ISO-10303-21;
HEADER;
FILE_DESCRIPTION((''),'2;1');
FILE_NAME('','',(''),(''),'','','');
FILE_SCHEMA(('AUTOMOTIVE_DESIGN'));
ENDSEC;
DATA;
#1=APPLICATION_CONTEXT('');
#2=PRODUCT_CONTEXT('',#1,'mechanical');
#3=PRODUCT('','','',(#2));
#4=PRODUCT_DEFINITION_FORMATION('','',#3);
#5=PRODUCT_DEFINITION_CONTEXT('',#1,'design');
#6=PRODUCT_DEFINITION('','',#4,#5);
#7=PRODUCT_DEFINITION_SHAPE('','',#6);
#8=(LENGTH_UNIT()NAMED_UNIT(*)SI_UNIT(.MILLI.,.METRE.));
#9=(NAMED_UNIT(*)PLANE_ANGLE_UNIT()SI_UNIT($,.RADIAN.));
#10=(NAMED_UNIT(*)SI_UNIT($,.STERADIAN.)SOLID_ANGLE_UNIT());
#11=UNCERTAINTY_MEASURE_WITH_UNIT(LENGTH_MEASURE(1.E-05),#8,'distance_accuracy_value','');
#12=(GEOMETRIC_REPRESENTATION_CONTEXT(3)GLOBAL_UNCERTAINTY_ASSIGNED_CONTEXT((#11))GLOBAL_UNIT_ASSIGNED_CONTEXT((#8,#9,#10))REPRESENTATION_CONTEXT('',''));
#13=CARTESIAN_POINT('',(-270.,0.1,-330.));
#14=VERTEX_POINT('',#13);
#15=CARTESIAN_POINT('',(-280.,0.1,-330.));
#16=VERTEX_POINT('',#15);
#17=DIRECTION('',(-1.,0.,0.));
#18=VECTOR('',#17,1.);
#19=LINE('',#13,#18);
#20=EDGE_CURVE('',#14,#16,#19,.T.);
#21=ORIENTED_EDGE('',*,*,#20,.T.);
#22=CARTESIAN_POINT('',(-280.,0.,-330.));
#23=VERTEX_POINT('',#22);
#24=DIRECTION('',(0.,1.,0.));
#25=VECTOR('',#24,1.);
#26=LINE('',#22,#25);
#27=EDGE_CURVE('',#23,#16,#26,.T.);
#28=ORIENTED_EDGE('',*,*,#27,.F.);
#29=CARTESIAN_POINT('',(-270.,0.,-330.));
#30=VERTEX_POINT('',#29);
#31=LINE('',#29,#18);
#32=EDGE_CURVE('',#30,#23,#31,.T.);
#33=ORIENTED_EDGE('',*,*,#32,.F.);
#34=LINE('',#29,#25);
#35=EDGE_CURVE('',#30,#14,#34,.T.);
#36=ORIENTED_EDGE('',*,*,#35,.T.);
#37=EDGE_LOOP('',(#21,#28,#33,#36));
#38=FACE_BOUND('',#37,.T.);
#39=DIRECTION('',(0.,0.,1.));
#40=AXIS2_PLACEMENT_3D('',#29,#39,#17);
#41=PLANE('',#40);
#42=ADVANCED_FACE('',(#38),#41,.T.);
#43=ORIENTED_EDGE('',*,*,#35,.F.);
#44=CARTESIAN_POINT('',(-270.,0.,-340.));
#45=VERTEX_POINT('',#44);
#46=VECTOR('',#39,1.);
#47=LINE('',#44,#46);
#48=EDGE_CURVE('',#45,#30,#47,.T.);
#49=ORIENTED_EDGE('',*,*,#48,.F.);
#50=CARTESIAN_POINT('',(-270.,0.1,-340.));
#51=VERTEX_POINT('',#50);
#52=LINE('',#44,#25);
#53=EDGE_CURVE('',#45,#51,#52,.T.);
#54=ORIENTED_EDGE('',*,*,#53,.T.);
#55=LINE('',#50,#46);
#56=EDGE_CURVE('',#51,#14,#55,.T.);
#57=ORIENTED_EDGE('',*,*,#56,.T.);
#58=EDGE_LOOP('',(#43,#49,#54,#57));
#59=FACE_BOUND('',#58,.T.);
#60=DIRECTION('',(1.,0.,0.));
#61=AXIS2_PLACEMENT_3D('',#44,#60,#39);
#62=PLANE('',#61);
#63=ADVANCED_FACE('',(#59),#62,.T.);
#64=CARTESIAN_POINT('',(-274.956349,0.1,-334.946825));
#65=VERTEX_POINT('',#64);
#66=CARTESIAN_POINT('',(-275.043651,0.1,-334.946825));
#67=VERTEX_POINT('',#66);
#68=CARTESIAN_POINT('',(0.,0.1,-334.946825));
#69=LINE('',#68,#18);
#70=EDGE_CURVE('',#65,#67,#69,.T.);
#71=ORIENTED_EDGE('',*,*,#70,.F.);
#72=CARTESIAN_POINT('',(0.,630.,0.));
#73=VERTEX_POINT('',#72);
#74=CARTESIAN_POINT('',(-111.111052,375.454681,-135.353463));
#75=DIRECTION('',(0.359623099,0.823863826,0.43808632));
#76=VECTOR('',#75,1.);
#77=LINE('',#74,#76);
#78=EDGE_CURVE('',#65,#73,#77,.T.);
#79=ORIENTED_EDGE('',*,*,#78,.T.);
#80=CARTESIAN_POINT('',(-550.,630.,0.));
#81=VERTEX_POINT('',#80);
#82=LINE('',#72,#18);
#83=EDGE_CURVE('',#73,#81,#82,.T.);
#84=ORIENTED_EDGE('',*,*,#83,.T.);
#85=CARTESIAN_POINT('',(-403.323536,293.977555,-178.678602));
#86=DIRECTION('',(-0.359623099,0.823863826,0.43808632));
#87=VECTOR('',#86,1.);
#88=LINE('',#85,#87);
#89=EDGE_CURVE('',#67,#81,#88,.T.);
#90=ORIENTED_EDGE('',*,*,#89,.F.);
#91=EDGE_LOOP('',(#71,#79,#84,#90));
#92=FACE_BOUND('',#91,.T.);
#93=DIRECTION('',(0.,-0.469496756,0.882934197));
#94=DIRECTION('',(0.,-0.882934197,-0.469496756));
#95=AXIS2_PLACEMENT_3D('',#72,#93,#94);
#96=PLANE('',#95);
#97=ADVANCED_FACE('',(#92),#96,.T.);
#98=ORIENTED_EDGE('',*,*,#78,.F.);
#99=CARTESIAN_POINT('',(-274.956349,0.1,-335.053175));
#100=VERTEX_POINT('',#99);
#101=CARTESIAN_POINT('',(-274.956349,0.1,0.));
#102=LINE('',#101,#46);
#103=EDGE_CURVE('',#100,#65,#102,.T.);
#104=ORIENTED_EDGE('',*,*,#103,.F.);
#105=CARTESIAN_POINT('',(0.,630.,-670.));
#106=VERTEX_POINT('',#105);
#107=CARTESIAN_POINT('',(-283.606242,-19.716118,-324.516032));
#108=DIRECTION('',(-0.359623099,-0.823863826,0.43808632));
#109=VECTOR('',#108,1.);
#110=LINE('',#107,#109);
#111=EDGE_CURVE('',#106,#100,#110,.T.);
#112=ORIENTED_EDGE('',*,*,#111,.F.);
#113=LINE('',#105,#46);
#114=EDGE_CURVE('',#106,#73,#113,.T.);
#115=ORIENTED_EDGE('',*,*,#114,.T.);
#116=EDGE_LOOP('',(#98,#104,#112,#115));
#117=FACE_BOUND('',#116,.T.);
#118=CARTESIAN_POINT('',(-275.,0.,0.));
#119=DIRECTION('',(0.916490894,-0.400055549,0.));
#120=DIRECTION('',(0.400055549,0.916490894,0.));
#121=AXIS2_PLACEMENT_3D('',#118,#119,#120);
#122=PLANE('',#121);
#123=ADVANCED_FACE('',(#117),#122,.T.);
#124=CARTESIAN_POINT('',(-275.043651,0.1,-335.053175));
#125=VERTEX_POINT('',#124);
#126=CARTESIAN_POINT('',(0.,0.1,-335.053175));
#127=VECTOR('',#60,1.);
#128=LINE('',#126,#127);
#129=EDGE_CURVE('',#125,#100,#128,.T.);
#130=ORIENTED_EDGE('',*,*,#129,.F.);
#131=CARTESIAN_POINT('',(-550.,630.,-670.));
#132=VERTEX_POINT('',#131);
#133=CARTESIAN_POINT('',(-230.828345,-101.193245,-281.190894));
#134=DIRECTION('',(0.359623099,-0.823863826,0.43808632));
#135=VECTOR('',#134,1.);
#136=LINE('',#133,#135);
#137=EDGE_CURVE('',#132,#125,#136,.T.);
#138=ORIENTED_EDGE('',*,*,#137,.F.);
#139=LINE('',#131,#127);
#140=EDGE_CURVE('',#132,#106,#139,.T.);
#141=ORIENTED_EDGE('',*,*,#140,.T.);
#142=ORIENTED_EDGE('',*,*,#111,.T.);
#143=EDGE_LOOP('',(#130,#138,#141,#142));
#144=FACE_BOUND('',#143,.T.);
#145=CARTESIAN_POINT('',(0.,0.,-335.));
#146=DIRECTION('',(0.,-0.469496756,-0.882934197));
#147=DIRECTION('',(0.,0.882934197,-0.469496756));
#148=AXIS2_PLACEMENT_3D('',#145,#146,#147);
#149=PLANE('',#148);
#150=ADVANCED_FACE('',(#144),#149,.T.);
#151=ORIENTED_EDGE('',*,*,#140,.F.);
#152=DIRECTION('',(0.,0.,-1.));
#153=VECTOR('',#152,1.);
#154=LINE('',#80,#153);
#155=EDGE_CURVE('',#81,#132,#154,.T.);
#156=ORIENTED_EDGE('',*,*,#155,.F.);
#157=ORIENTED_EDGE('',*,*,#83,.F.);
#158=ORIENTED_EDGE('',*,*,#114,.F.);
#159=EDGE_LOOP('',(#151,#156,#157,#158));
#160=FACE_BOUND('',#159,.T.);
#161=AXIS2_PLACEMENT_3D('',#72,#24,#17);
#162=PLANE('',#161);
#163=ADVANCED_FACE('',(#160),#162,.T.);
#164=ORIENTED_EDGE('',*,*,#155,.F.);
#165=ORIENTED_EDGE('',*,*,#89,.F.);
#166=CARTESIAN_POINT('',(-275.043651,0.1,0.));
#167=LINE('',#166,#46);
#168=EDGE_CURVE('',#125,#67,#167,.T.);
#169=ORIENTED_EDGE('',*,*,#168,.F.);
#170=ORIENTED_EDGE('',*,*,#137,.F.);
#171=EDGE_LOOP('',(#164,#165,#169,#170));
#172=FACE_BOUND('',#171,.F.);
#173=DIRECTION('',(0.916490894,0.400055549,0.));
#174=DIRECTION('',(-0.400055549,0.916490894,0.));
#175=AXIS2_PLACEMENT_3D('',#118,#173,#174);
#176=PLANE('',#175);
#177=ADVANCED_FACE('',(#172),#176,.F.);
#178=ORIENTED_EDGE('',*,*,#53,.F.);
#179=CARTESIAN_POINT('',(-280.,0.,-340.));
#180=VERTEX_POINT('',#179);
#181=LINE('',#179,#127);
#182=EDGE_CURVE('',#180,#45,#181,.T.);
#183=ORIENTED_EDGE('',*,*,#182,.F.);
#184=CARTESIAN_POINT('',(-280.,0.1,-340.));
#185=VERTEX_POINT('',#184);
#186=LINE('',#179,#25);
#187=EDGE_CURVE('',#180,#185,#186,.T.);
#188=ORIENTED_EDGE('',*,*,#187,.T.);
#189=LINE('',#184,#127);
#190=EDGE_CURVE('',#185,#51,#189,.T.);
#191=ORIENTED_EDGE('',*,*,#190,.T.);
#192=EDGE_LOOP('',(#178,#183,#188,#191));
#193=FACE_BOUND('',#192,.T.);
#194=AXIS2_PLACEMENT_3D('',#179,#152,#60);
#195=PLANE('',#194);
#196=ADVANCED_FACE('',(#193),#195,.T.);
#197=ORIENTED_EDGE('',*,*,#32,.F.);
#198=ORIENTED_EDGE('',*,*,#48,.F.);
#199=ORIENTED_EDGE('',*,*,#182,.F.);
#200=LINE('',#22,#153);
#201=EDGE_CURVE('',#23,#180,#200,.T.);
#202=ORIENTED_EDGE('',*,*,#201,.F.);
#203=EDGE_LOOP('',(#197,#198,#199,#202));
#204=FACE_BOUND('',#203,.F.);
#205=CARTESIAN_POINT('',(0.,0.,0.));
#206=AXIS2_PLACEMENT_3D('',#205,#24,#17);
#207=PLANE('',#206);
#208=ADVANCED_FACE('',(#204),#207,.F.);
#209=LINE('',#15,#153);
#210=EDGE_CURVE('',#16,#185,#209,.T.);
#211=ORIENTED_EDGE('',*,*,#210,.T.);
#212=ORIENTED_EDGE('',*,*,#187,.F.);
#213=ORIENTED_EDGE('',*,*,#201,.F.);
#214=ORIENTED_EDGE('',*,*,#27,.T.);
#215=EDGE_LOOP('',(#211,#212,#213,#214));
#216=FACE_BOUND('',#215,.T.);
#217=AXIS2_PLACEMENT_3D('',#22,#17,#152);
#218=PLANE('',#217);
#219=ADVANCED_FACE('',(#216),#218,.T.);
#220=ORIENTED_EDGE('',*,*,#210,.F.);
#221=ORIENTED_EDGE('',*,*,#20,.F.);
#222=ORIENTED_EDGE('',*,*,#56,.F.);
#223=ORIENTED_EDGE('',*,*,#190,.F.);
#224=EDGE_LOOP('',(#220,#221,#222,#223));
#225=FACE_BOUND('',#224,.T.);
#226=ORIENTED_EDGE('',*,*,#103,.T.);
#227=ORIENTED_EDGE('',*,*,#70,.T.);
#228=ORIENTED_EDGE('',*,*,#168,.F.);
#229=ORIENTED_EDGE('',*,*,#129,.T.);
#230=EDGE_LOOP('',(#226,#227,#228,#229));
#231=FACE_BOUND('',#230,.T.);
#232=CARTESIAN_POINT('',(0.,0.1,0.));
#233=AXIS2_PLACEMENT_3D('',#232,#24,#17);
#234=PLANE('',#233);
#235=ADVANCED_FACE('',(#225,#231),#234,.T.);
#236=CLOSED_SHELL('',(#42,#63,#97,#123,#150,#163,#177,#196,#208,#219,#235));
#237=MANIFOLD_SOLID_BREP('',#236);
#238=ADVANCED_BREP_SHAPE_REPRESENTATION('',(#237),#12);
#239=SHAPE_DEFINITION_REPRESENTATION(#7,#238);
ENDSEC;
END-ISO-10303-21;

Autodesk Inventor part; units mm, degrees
ref_plane "YZ Plane" through (0, 0, 0) normal (1, 0, 0) x (0, 1, 0)
ref_plane "XZ Plane" through (0, 0, 0) normal (0, 1, 0) x (-1, 0, 0)
ref_plane "XY Plane" through (0, 0, 0) normal (0, 0, 1) x (1, 0, 0)
sketch "Sketch1" plane through (0, 0, 0) normal (0, 1, 0) x (-1, 0, 0)
  line L0 (0, 0) -> (550, 0)
  line L1 (550, 0) -> (550, -670)
  line L2 (550, -670) -> (0, -670)
  line L3 (0, -670) -> (0, 0)
  dimension "d0" = 670
  dimension "d1" = 550
extrude "Extrusion1" add sketch "Sketch1" along normal blind 630
sketch "Sketch5" plane through (0, 0, 0) normal (1, 0, 0) x (0, 0, -1)
  line L0 (0, 630) -> (0, 0)
  line L1 (0, 0) -> (335, 0)
  line L2 (0, 0) -> (670, 0) projected
  line L3 (0, 630) -> (335, 0)
extrude "Extrusion2" cut sketch "Sketch5" against normal through all
sketch "Sketch6" plane through (0, 0, -670) normal (1, 0, 0) x (0, 0, -1)
  line L0 (-670, 630) -> (-335, 0) projected
  line L1 (-335, 0) -> (0, 630)
  line L2 (0, 630) -> (0, 0)
  line L3 (0, 0) -> (-335, 0)
  point P0 (-670, 0)
extrude "Extrusion3" cut sketch "Sketch6" against normal through all
sketch "Sketch8" plane through (0, 0, 0) normal (0, 0, 1) x (1, 0, 0)
  line L0 (-550, 630) -> (0, 630) projected
  line L1 (-550, 0) -> (-550, 630) projected
  line L2 (-550, 630) -> (-550, 0)
  line L3 (-550, 0) -> (-275, 0)
  line L4 (-275, 0) -> (-550, 630)
  point P0 (0, 0)
  dimension "d8" = 275
extrude "Extrusion4" cut sketch "Sketch8" against normal through all
sketch "Sketch9" plane through (0, 0, 0) normal (0, 0, 1) x (1, 0, 0)
  line L0 (0, 0) -> (-275, 0) projected
  line L1 (-275, 0) -> (0, 630)
  line L2 (0, 630) -> (0, 0)
extrude "Extrusion5" cut sketch "Sketch9" against normal through all
sketch "Sketch10" plane through (0, 0, 0) normal (0, 1, 0) x (-1, 0, 0)
  line L0 (270, -330) -> (280, -330)
  line L1 (280, -330) -> (280, -340)
  line L2 (280, -340) -> (270, -340)
  line L3 (270, -340) -> (270, -330)
  line L4 (550, 0) -> (0, 0) projected
  line L5 (0, 0) -> (0, -670) projected
  dimension "d13" = 10
  dimension "d14" = 10
  dimension "d15" = 330
  dimension "d16" = 270
extrude "Extrusion6" add sketch "Sketch10" along normal blind 0.1
properties part number "FieldofView"
